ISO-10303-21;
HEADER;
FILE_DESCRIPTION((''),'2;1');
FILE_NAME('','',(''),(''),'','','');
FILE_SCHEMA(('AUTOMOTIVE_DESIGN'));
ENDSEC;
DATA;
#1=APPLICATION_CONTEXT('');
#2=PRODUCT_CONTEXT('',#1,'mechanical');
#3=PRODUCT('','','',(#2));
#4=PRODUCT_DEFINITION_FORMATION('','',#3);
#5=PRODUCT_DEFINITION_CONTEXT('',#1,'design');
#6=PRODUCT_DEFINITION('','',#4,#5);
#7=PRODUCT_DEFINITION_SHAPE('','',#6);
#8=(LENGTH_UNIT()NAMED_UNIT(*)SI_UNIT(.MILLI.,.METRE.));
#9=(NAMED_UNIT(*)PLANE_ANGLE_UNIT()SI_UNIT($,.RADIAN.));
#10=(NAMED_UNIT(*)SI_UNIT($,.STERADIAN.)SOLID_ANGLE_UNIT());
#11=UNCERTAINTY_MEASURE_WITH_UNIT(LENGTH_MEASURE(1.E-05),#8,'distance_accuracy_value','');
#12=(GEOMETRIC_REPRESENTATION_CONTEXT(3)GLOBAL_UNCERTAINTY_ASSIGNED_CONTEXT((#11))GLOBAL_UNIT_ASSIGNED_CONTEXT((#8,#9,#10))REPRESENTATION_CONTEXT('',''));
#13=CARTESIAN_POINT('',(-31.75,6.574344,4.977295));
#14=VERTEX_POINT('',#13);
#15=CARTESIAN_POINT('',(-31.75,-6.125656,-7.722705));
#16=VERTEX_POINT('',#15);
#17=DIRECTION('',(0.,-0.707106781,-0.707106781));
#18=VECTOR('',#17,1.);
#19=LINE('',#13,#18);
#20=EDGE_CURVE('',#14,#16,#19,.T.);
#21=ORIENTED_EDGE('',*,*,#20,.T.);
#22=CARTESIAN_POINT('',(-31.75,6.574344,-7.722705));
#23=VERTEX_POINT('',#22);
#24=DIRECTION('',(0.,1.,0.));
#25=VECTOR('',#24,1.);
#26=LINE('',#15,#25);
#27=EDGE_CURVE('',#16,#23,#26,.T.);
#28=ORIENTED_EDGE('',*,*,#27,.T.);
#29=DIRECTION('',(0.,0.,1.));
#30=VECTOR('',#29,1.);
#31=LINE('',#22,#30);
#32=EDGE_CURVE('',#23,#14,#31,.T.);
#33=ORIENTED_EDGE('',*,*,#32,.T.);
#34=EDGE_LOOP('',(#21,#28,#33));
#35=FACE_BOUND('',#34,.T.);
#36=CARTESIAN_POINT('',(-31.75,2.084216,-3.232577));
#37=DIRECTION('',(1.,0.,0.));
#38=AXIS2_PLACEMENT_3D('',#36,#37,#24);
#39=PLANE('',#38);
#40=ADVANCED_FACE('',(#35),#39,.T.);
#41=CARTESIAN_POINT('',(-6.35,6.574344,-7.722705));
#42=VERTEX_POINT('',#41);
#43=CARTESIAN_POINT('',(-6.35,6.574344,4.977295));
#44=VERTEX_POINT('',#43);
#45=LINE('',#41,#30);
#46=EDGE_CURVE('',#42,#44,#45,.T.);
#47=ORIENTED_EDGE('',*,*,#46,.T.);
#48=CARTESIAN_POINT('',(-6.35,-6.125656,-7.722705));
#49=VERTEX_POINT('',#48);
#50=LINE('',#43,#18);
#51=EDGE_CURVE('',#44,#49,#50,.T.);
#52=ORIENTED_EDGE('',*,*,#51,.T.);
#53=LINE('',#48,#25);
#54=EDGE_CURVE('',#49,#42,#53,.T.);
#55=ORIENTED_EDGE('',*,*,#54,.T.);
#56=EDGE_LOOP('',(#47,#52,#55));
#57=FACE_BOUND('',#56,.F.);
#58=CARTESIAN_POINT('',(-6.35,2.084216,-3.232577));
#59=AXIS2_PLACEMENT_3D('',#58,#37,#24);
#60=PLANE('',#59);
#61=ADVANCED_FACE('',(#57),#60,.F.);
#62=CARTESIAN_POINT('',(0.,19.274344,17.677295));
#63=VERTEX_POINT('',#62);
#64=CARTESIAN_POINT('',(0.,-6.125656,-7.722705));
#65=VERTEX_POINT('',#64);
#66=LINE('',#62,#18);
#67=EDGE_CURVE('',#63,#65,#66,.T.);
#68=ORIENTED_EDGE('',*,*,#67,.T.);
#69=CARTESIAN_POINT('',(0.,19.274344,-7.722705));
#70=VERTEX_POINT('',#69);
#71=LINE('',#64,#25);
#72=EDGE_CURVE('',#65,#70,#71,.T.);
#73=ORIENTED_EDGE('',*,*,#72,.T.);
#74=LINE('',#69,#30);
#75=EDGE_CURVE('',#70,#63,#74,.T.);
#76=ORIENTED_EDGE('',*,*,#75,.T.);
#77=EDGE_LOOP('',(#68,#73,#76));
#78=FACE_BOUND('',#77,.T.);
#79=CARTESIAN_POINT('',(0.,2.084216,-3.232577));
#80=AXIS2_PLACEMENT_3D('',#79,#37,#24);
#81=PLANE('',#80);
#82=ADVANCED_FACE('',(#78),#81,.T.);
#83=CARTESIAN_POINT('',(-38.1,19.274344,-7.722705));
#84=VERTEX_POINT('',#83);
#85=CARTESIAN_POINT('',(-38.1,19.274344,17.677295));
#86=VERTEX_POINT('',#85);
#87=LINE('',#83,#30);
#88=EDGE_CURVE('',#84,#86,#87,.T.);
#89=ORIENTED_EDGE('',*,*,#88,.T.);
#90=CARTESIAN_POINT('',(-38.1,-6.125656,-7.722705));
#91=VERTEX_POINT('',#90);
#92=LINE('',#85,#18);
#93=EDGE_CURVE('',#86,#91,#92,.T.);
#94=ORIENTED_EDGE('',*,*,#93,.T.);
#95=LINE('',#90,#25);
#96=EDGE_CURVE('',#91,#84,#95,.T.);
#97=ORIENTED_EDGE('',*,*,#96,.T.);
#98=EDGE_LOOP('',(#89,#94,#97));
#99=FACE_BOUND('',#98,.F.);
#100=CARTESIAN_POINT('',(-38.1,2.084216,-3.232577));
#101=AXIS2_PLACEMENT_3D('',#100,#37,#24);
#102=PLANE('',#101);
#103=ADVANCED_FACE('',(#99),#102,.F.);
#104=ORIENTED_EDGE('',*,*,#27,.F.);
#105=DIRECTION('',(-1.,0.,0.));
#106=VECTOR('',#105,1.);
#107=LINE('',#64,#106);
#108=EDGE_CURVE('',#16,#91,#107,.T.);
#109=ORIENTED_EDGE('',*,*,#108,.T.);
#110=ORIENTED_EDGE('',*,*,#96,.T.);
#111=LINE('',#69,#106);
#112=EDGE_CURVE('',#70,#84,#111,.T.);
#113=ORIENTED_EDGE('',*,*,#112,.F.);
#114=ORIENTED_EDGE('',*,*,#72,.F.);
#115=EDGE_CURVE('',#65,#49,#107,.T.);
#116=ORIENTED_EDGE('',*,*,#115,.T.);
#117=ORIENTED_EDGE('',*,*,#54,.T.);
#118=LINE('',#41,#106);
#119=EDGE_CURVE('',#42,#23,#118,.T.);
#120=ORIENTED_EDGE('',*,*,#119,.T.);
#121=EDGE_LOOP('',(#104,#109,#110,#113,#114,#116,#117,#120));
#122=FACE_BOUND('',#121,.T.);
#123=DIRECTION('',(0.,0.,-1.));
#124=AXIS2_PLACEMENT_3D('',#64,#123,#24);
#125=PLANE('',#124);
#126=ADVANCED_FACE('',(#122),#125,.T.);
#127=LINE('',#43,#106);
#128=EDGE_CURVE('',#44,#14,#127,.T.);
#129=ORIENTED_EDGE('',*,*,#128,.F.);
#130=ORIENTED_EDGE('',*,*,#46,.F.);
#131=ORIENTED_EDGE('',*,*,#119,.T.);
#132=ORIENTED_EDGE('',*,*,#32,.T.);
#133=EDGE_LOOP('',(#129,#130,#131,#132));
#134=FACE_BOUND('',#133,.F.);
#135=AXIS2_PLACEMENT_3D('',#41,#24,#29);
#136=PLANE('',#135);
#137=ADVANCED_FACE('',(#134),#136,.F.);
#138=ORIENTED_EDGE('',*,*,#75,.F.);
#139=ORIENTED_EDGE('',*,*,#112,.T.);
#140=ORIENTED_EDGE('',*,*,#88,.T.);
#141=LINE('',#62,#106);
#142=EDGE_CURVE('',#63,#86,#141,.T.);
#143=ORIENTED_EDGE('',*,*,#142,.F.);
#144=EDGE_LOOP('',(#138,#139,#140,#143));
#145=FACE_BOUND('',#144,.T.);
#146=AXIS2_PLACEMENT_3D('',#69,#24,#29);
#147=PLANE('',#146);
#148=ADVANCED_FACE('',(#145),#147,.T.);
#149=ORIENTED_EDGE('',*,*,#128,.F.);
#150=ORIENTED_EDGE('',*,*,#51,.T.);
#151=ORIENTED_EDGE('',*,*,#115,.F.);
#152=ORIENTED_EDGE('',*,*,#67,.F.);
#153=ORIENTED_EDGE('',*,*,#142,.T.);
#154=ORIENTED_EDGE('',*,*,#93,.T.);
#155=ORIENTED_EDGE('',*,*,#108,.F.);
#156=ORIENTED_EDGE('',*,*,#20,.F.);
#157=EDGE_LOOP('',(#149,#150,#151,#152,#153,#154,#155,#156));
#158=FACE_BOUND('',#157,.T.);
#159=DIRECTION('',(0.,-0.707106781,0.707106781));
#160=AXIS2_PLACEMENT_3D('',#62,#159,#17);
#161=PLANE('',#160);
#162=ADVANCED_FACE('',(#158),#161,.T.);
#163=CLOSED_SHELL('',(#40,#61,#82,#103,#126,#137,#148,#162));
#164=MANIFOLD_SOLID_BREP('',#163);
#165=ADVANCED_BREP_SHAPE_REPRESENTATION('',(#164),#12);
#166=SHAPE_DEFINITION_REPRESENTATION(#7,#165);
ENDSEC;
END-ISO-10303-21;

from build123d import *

# Parameters (mm, degrees)
F1_DEPTH = 38.1
F2_START = -6.35
F2_DEPTH = 25.4


with BuildPart() as f1:
    # F0 (on Right) → F1 (new body)
    with BuildSketch(Plane.YZ):
        Polygon((6.5743439748, 4.9772951752), (-6.1256560252, -7.7227048248), (6.5743439748, -7.7227048248), align=None)
        Polygon((6.5743439748, 4.9772951752), (6.5743439748, -7.7227048248), (19.2743439748, -7.7227048248), (19.2743439748, 17.6772951752), align=None)
    extrude(amount=-F1_DEPTH)

    # F0 (on Right) → F2 (cut)
    with BuildSketch(Plane.YZ.offset(F2_START)):
        Polygon((6.5743439748, 4.9772951752), (-6.1256560252, -7.7227048248), (6.5743439748, -7.7227048248), align=None)
    extrude(amount=-F2_DEPTH, mode=Mode.SUBTRACT)


solid = f1.part
